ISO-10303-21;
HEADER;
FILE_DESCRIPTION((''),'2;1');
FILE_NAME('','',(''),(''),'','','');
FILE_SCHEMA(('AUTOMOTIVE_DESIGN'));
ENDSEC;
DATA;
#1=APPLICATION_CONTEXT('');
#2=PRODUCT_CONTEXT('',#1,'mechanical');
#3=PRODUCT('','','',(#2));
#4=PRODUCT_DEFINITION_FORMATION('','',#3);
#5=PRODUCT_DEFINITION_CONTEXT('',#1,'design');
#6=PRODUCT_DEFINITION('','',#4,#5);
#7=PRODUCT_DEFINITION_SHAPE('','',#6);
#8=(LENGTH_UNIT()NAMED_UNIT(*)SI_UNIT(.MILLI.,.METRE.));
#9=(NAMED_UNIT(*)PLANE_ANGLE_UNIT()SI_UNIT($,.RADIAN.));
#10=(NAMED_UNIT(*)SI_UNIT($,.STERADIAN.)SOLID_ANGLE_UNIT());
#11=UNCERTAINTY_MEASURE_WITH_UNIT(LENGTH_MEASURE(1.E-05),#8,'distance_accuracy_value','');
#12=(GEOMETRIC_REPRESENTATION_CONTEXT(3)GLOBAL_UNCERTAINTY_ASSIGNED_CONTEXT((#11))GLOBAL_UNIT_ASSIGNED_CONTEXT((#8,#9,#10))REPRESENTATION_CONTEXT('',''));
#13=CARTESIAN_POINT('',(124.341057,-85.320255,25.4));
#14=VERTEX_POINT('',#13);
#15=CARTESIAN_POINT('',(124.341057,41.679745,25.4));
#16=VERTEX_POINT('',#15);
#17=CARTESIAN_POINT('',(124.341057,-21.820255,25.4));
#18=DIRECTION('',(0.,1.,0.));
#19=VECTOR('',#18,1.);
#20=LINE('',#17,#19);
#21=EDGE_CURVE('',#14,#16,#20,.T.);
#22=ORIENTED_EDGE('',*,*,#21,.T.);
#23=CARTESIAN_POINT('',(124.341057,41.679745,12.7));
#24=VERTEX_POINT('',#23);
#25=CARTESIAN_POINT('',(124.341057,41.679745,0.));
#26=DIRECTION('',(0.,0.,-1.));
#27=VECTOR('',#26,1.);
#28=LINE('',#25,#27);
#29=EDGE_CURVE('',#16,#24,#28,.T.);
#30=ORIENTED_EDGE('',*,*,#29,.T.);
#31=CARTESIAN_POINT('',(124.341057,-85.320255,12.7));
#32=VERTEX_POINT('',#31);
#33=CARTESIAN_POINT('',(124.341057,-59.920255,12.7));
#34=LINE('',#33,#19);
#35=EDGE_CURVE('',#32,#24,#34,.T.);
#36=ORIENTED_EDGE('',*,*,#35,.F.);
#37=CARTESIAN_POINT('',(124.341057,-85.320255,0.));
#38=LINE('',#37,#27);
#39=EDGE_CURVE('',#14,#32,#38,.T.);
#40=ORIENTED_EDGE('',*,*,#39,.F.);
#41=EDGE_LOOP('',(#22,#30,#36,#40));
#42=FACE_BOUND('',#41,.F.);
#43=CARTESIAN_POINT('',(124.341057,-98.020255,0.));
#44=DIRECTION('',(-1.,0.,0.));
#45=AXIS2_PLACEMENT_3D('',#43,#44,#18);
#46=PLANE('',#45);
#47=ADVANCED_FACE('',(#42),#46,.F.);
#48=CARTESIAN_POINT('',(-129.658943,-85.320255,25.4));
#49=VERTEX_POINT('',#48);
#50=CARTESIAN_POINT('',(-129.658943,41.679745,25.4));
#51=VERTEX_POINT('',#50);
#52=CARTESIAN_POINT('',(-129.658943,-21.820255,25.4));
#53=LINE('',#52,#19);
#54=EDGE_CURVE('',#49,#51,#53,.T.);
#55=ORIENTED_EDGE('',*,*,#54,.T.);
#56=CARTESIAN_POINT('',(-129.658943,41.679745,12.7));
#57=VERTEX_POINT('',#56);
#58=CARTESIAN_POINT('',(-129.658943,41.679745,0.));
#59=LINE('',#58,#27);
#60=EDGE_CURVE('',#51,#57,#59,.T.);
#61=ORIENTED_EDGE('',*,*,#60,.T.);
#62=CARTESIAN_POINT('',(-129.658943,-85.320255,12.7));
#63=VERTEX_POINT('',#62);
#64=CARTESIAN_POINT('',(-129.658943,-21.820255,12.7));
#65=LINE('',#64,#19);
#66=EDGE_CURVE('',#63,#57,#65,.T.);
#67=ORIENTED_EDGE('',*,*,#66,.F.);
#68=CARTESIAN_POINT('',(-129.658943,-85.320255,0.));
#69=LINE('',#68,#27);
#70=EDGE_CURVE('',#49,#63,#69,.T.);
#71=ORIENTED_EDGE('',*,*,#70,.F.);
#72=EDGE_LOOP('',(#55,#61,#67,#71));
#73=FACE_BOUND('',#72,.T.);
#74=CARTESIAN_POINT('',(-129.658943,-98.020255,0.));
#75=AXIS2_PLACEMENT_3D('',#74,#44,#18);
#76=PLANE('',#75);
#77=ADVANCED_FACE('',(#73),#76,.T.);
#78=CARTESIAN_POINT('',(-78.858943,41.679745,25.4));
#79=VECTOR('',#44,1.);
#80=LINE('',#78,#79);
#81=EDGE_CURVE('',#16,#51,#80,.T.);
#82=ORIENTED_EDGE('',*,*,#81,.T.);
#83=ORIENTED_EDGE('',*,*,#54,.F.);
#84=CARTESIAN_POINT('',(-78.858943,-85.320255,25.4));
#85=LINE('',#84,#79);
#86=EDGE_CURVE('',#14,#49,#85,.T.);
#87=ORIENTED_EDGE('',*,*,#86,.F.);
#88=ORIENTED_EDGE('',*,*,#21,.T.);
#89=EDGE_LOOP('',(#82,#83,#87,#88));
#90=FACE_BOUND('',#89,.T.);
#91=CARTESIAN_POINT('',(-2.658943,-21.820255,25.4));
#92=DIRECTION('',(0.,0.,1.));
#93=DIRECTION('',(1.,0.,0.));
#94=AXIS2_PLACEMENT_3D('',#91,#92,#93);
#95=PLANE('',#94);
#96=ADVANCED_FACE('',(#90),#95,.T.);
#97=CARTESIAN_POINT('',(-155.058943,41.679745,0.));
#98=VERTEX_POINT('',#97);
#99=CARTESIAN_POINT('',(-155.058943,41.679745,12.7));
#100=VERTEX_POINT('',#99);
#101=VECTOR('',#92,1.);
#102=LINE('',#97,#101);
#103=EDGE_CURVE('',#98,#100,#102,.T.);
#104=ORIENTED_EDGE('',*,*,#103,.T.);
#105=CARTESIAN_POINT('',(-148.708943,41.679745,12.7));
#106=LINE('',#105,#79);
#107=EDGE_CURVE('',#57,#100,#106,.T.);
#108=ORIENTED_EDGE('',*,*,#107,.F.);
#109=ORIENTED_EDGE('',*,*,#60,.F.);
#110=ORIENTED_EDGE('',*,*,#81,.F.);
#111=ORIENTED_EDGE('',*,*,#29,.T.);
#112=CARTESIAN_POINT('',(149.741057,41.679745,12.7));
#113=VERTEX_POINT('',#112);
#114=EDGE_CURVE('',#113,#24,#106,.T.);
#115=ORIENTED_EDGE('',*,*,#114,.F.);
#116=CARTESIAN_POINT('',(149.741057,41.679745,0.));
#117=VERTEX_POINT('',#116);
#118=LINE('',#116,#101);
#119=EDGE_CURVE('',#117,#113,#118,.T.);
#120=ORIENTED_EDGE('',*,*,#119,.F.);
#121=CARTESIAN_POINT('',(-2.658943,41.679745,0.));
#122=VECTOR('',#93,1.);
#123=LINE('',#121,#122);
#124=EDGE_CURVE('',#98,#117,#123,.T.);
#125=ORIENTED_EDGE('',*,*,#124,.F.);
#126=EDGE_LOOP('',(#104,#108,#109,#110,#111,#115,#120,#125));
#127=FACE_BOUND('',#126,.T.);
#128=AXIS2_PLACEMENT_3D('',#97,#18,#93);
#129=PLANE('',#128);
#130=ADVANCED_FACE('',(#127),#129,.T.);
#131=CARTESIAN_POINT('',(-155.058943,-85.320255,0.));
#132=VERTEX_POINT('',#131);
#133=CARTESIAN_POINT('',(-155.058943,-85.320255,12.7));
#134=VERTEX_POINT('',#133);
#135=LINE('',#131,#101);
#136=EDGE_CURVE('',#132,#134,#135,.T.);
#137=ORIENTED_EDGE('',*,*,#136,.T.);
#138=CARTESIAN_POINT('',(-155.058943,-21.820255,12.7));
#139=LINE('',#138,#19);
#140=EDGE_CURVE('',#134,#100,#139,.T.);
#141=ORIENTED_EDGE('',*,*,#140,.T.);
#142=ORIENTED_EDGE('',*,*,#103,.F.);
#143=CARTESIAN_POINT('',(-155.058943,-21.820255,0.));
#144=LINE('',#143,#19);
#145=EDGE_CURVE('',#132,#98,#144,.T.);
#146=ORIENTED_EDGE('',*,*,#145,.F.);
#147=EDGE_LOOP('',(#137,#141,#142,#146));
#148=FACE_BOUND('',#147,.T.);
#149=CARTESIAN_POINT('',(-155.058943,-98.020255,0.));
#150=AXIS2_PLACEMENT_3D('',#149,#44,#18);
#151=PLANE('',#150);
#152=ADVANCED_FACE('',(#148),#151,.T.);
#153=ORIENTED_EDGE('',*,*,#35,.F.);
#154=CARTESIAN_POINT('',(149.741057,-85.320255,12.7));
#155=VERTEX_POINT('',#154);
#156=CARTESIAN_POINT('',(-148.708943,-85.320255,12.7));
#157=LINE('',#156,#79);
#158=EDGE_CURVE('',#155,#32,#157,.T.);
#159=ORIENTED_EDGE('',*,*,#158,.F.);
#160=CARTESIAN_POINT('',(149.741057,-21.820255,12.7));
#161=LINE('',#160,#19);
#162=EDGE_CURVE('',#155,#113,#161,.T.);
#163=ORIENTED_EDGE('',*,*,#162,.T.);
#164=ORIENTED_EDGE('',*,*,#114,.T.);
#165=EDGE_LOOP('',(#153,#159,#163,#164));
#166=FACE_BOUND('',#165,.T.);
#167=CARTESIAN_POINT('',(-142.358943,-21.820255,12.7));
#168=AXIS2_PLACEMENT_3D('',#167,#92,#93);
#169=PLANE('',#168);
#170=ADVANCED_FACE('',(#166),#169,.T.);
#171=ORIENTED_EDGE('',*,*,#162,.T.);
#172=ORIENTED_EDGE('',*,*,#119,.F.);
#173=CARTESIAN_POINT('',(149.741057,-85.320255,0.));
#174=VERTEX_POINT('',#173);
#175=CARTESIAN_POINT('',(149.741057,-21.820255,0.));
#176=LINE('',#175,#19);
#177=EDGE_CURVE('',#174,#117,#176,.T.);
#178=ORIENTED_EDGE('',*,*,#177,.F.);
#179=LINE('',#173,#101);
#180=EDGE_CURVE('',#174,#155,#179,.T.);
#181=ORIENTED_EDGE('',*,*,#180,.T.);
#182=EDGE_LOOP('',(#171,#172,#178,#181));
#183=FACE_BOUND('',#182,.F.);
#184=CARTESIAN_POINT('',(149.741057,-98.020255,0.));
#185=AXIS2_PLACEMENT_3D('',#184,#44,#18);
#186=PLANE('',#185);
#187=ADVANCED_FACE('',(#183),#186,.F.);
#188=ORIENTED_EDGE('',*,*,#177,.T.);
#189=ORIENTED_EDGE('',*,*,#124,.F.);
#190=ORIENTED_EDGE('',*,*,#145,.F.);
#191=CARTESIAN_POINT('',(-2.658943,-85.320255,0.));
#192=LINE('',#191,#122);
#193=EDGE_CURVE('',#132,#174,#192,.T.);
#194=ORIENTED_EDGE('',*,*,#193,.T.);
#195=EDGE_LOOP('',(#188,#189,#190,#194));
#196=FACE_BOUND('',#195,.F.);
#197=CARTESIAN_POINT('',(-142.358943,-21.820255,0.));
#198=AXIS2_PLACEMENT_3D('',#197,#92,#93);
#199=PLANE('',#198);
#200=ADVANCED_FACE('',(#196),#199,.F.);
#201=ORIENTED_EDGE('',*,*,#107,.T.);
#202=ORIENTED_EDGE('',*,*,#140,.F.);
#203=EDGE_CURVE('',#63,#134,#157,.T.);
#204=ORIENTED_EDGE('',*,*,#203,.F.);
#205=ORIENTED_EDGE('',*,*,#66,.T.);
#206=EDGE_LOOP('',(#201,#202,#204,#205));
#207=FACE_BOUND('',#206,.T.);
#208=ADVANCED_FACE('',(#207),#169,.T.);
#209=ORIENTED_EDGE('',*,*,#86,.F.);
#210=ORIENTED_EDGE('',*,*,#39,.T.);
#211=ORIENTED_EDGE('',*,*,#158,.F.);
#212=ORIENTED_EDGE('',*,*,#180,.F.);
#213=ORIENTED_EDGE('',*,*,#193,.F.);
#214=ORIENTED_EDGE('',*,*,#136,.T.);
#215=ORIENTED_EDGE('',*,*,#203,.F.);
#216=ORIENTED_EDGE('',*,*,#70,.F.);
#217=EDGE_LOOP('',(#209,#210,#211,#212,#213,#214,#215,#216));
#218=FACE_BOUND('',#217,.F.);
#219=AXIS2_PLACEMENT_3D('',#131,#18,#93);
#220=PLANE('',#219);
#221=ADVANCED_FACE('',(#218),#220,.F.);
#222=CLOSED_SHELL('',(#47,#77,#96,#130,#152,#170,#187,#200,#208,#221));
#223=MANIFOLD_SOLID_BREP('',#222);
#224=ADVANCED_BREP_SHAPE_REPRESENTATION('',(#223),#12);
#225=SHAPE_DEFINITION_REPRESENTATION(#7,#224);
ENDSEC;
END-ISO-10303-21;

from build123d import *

# Parameters (mm, degrees)
F0_W     = 254
F0_H     = 152.4
F1_DEPTH = 25.4
F0_W_2   = 25.4
F2_DEPTH = 12.7
F3_DEPTH = 12.7
F4_W     = 304.8
F4_H     = 12.7
F5_DEPTH = 152.4


with BuildPart() as f1:
    # F0 (on Top) → F1 (new body)
    with BuildSketch(Plane.XY):
        with Locations((-2.658943, -21.820255)):
            Rectangle(F0_W, F0_H)
    extrude(amount=F1_DEPTH)

    # F0 (on Top) → F2 (join)
    with BuildSketch(Plane.XY):
        with Locations((-142.358943, -21.820255)):
            Rectangle(F0_W_2, F0_H)
    extrude(amount=F2_DEPTH)

    # F0 (on Top) → F3 (join)
    with BuildSketch(Plane.XY):
        with Locations((-142.358943, -21.820255)):
            Rectangle(F0_W_2, F0_H)
        with Locations((-2.658943, -21.820255)):
            Rectangle(F0_W, F0_H)
        with Locations((137.041057, -21.820255)):
            Rectangle(F0_W_2, F0_H)
    extrude(amount=F3_DEPTH)

    # F4 (on face) → F5 (cut)
    with BuildSketch(Plane(origin=(0, 0, 0), x_dir=(1, 0, 0), z_dir=(0, 0, -1))):
        with Locations((-2.658943, 91.670255)):
            Rectangle(F4_W, F4_H)
        with Locations((-2.658943, -48.029745)):
            Rectangle(F4_W, F4_H)
    extrude(amount=-F5_DEPTH, mode=Mode.SUBTRACT)


solid = f1.part
